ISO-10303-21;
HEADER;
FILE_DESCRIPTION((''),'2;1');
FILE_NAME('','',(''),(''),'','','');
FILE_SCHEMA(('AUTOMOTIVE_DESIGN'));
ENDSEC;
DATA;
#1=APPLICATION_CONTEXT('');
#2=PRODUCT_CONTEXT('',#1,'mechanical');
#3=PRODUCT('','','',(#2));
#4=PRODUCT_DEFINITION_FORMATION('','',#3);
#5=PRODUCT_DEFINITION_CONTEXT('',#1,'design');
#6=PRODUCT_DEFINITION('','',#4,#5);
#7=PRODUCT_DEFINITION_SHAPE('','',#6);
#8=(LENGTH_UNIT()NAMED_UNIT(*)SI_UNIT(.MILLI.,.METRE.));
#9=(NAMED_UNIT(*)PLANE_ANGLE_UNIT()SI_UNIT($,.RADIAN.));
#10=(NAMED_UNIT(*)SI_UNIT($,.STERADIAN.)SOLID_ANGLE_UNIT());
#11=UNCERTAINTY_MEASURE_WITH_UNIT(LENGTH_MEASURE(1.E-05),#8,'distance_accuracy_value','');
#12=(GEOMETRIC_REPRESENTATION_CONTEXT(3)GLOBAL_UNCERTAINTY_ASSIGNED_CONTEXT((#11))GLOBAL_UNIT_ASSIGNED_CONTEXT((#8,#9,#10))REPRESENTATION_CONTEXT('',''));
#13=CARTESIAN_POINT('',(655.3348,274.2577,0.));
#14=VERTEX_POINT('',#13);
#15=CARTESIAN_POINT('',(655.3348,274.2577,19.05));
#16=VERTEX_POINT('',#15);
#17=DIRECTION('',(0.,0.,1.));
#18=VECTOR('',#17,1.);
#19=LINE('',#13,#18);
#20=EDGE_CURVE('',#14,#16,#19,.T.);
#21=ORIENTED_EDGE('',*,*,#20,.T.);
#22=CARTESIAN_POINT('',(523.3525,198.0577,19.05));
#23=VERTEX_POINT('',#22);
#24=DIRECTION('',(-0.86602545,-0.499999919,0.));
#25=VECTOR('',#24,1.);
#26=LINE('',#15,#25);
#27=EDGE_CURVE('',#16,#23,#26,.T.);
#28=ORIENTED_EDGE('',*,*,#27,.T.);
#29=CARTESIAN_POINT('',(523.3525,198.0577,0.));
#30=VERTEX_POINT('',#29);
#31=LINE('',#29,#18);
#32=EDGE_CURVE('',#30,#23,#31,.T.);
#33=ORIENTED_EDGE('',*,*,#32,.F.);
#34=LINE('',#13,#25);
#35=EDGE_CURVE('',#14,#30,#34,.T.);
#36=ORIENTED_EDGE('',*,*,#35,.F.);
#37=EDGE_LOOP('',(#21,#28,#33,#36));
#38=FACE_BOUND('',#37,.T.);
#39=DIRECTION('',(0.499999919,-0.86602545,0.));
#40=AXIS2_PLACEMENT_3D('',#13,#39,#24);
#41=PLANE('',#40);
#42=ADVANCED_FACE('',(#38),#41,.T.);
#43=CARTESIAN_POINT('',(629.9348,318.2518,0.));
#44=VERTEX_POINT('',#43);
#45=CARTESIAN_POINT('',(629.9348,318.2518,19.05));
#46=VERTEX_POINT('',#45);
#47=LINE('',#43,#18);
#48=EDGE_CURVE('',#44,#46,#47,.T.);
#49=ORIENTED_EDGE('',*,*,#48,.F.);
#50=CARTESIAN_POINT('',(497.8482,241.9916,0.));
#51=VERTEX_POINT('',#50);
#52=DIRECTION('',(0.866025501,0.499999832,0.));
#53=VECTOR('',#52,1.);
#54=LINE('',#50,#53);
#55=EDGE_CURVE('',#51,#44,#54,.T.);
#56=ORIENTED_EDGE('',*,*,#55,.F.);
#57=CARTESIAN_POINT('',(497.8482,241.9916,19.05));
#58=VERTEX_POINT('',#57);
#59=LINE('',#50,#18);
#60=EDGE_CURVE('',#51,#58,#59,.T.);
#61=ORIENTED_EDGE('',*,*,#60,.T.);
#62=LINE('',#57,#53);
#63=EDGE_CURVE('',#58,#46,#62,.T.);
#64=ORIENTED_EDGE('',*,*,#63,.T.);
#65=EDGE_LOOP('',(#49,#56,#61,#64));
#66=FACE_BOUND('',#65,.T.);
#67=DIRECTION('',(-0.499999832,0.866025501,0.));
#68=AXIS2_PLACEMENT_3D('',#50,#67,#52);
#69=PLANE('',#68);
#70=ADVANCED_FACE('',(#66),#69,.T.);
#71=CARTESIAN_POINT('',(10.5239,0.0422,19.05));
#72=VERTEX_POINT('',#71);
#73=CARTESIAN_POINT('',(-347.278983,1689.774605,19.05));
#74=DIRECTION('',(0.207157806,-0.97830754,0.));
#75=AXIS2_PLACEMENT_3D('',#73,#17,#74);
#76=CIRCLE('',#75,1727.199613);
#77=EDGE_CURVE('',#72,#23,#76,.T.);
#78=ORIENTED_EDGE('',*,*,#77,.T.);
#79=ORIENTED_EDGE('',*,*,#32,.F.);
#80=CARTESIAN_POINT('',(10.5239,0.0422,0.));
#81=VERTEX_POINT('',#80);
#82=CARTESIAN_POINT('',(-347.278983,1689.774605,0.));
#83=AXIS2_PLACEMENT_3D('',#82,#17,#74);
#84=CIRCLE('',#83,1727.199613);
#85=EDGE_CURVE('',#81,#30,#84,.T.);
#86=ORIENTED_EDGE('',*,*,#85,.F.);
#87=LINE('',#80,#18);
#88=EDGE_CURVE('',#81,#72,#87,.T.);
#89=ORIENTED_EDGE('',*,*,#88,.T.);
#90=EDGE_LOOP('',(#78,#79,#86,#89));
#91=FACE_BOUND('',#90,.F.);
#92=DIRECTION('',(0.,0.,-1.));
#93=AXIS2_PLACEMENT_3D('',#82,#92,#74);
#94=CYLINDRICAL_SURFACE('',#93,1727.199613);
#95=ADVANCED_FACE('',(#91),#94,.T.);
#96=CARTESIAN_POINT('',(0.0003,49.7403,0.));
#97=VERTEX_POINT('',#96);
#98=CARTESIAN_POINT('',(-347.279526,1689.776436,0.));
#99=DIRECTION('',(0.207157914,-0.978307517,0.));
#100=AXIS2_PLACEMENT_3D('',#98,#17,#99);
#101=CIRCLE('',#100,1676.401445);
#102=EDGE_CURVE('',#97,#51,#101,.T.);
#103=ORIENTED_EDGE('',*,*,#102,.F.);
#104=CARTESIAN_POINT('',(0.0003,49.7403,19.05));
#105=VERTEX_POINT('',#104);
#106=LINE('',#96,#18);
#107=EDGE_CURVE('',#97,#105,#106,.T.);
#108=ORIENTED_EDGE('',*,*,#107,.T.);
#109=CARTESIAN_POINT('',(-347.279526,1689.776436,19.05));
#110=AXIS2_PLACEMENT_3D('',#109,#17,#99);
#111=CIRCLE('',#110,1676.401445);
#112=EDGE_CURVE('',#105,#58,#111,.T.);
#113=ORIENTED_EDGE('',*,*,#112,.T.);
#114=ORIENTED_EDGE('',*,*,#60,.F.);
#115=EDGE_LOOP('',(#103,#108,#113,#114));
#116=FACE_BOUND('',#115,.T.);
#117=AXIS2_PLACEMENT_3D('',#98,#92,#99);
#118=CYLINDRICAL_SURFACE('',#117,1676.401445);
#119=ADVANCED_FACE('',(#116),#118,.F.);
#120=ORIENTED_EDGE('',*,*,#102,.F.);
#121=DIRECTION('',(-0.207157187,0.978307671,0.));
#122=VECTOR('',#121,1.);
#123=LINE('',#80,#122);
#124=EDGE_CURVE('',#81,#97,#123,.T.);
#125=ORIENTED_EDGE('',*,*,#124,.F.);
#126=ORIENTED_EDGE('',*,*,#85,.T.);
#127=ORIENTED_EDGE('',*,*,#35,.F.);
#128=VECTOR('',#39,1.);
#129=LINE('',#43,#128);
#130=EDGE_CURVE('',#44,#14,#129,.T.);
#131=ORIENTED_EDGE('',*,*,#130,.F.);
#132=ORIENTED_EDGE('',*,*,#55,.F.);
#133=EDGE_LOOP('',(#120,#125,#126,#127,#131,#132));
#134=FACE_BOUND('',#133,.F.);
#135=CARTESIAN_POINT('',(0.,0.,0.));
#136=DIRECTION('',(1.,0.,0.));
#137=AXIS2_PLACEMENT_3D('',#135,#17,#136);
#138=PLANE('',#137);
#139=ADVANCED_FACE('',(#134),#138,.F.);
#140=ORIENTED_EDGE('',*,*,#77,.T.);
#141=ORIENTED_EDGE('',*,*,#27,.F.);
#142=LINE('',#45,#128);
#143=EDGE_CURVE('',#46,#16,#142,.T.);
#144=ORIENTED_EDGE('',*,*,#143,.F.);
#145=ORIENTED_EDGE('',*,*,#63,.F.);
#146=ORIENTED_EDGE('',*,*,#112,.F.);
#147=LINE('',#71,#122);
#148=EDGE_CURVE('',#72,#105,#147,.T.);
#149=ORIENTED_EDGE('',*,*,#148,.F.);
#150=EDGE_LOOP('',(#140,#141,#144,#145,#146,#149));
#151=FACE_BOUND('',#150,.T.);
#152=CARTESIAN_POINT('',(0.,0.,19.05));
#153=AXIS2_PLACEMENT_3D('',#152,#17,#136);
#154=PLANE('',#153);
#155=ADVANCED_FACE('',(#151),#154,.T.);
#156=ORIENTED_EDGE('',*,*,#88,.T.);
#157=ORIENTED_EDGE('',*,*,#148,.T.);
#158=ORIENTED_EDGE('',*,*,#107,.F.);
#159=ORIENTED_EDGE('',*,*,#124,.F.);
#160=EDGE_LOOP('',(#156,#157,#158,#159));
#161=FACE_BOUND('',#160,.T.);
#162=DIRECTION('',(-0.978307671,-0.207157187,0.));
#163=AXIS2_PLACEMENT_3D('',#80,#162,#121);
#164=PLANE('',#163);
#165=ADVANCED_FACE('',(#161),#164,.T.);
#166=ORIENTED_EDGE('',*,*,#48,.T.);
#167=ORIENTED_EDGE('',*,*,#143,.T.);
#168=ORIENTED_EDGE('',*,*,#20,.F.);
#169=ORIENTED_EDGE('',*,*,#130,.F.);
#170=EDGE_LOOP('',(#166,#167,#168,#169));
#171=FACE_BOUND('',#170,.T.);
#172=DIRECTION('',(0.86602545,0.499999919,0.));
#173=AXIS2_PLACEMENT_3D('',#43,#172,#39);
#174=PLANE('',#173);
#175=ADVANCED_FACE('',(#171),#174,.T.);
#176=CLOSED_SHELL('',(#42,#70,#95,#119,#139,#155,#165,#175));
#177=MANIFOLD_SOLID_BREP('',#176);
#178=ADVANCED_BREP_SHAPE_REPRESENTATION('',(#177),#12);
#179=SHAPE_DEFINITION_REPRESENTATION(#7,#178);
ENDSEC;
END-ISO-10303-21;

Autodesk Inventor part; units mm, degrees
ref_plane "YZ Plane" through (0, 0, 0) normal (1, 0, 0) x (0, 1, 0)
ref_plane "XZ Plane" through (0, 0, 0) normal (0, 1, 0) x (-1, 0, 0)
ref_plane "XY Plane" through (0, 0, 0) normal (0, 0, 1) x (1, 0, 0)
sketch "Sketch1" plane through (0, 0, 0) normal (0, 0, 1) x (1, 0, 0)
  line L0 (655.3348, 274.2577) -> (523.3525, 198.0577)
  arc A0 (10.5239, 0.0422) -> (523.3525, 198.0577) centre (-347.2791, 1689.775) ccw
  line L1 (10.5239, 0.0422) -> (0.0003, 49.7403)
  arc A1 (0.0003, 49.7403) -> (497.8482, 241.9916) centre (-347.2791, 1689.775) ccw
  line L2 (497.8482, 241.9916) -> (629.9348, 318.2518)
  line L3 (629.9348, 318.2518) -> (655.3348, 274.2577)
  point P0 (0, 0)
extrude "Extrusion1" add sketch "Sketch1" along normal blind 19.05
properties part number "nd-l"
